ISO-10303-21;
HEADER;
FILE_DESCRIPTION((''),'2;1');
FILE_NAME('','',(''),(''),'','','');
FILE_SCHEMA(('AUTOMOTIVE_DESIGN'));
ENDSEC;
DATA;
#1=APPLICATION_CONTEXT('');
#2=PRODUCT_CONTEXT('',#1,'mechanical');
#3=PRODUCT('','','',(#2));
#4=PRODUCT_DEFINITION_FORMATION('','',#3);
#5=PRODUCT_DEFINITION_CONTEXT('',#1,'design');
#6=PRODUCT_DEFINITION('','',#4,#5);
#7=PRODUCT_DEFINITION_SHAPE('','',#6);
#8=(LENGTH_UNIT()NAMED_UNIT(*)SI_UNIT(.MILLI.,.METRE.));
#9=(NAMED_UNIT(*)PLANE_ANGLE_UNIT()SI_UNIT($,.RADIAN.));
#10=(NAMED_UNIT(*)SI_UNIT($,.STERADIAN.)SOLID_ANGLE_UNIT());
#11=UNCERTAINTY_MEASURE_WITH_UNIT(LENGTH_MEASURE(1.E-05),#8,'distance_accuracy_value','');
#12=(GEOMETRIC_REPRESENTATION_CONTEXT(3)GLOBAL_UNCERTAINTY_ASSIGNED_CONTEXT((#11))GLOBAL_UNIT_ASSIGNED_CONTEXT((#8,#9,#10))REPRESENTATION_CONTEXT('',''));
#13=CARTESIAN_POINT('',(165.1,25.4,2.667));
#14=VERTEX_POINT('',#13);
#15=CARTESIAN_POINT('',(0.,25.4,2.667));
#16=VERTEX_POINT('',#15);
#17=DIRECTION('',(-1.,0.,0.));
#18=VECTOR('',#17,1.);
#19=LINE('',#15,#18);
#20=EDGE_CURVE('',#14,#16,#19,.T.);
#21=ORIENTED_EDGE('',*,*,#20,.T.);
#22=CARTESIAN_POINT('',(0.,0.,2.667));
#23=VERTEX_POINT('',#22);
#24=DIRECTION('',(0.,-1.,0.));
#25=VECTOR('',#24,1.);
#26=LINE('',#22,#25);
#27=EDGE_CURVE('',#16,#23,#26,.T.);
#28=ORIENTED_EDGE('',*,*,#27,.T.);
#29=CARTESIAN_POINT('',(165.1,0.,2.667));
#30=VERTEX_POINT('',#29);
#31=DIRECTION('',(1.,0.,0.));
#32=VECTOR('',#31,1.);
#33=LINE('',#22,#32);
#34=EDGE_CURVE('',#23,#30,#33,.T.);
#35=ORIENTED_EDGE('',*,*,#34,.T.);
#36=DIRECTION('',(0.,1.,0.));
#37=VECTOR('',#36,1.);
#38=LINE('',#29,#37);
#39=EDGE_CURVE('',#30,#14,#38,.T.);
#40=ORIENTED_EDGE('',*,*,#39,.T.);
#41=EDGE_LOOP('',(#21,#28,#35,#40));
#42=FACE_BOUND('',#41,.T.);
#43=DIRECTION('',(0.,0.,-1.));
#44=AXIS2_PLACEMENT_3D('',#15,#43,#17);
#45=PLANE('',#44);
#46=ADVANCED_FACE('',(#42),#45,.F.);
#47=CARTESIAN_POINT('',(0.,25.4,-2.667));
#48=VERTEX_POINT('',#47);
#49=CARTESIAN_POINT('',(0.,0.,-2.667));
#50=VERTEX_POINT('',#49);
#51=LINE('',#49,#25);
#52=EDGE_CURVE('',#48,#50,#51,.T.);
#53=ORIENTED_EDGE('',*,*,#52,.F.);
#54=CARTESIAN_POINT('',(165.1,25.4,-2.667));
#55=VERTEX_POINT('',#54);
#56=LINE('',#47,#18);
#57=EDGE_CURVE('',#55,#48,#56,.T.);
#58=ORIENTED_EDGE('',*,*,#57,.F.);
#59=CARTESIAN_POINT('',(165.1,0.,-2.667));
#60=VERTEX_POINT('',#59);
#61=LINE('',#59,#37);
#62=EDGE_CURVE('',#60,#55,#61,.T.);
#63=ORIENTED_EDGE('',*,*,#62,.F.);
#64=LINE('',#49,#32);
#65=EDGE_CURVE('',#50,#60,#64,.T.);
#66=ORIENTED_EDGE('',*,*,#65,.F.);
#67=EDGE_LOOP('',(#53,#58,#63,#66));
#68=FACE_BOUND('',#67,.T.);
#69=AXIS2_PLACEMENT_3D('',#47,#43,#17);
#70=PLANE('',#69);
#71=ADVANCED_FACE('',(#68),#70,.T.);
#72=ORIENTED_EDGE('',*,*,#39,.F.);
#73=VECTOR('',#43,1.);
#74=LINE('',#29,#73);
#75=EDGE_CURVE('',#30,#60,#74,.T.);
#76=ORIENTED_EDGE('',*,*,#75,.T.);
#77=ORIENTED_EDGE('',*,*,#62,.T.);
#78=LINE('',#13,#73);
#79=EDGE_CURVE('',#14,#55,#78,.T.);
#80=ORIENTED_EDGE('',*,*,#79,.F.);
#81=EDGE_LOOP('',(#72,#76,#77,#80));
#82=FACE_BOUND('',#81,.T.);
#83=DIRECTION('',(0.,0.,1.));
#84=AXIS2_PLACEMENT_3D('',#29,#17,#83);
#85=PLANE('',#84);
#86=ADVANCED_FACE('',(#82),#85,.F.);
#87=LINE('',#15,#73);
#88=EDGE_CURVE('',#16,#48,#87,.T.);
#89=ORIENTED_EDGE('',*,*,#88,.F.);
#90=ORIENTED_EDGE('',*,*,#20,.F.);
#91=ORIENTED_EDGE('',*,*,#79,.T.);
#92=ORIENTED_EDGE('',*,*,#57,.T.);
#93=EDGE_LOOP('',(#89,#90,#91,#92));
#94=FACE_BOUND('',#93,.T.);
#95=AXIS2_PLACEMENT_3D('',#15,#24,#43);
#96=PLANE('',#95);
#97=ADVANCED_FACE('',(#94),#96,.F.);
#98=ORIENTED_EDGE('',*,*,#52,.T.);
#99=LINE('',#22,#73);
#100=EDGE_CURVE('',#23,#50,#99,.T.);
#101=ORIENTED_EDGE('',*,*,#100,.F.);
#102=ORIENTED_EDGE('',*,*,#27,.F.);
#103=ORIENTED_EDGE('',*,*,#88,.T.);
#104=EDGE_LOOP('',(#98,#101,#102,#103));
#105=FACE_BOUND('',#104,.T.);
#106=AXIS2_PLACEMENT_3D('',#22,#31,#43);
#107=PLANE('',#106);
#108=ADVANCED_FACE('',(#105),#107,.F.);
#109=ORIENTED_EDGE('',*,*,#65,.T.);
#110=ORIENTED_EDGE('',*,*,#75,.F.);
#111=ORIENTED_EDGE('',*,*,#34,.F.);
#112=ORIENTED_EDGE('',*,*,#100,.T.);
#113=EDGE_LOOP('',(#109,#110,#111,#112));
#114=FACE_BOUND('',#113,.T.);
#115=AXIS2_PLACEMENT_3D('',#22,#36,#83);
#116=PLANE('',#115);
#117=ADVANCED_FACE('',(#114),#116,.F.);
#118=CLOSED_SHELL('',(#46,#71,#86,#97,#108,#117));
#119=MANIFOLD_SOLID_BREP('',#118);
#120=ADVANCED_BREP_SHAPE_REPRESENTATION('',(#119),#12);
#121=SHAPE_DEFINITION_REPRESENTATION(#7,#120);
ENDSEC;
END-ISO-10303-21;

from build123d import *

# Parameters (mm, degrees)
SKETCH1_W           = 165.1
SKETCH1_H           = 25.4
BOSS_EXTRUDE1_DEPTH = 2.667


with BuildPart() as part:
    # Sketch1 → Boss-Extrude1 (new, symmetric)
    with BuildSketch(Plane.XY):
        with Locations((82.55, 12.7)):
            Rectangle(SKETCH1_W, SKETCH1_H)
    extrude(amount=BOSS_EXTRUDE1_DEPTH, both=True)


solid = part.part
